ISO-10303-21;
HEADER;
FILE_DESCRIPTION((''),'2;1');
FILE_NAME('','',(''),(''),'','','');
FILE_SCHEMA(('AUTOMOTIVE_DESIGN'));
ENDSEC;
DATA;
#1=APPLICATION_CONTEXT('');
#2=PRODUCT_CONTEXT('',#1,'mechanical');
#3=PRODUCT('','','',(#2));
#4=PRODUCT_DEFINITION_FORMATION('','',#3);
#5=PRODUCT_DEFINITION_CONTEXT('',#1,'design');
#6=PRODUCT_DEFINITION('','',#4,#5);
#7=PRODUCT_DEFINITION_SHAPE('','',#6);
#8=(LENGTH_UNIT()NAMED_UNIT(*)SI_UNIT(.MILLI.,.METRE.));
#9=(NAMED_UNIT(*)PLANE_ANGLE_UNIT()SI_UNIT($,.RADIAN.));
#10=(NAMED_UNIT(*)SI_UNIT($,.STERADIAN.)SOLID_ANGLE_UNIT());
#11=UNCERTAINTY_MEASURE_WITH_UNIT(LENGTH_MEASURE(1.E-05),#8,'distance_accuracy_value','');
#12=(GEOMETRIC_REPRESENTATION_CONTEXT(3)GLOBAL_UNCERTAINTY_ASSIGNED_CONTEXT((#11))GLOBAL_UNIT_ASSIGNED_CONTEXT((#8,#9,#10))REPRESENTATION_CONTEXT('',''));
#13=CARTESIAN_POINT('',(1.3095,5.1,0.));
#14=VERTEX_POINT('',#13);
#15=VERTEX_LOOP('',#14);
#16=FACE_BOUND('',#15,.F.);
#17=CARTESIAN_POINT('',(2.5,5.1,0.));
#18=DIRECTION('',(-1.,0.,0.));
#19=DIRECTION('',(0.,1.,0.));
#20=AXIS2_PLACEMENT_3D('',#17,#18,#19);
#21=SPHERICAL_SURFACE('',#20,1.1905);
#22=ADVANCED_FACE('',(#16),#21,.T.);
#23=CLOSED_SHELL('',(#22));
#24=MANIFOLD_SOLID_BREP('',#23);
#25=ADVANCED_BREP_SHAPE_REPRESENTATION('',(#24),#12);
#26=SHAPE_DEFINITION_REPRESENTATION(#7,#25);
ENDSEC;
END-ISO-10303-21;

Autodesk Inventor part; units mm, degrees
ref_plane "YZ Plane" through (0, 0, 0) normal (1, 0, 0) x (0, 1, 0)
ref_plane "XZ Plane" through (0, 0, 0) normal (0, 1, 0) x (-1, 0, 0)
ref_plane "XY Plane" through (0, 0, 0) normal (0, 0, 1) x (1, 0, 0)
sketch "Sketch_6" plane through (0, 0, 0) normal (0, 0, 1) x (1, 0, 0)
  line L0 (3.6905, 5.1) -> (1.3095, 5.1)
  arc A0 (3.6905, 5.1) -> (1.3095, 5.1) centre (2.5, 5.1) ccw
  line L1 (3.6905, 5.1) -> (1.3095, 5.1)
  dimension "d0" = 360
revolve "Revolution1" add sketch "Sketch_6" angle 360 about axis through (3.6905, 5.1, 0) along (1, 0, 0)
properties part number "625-Z_PART3"
